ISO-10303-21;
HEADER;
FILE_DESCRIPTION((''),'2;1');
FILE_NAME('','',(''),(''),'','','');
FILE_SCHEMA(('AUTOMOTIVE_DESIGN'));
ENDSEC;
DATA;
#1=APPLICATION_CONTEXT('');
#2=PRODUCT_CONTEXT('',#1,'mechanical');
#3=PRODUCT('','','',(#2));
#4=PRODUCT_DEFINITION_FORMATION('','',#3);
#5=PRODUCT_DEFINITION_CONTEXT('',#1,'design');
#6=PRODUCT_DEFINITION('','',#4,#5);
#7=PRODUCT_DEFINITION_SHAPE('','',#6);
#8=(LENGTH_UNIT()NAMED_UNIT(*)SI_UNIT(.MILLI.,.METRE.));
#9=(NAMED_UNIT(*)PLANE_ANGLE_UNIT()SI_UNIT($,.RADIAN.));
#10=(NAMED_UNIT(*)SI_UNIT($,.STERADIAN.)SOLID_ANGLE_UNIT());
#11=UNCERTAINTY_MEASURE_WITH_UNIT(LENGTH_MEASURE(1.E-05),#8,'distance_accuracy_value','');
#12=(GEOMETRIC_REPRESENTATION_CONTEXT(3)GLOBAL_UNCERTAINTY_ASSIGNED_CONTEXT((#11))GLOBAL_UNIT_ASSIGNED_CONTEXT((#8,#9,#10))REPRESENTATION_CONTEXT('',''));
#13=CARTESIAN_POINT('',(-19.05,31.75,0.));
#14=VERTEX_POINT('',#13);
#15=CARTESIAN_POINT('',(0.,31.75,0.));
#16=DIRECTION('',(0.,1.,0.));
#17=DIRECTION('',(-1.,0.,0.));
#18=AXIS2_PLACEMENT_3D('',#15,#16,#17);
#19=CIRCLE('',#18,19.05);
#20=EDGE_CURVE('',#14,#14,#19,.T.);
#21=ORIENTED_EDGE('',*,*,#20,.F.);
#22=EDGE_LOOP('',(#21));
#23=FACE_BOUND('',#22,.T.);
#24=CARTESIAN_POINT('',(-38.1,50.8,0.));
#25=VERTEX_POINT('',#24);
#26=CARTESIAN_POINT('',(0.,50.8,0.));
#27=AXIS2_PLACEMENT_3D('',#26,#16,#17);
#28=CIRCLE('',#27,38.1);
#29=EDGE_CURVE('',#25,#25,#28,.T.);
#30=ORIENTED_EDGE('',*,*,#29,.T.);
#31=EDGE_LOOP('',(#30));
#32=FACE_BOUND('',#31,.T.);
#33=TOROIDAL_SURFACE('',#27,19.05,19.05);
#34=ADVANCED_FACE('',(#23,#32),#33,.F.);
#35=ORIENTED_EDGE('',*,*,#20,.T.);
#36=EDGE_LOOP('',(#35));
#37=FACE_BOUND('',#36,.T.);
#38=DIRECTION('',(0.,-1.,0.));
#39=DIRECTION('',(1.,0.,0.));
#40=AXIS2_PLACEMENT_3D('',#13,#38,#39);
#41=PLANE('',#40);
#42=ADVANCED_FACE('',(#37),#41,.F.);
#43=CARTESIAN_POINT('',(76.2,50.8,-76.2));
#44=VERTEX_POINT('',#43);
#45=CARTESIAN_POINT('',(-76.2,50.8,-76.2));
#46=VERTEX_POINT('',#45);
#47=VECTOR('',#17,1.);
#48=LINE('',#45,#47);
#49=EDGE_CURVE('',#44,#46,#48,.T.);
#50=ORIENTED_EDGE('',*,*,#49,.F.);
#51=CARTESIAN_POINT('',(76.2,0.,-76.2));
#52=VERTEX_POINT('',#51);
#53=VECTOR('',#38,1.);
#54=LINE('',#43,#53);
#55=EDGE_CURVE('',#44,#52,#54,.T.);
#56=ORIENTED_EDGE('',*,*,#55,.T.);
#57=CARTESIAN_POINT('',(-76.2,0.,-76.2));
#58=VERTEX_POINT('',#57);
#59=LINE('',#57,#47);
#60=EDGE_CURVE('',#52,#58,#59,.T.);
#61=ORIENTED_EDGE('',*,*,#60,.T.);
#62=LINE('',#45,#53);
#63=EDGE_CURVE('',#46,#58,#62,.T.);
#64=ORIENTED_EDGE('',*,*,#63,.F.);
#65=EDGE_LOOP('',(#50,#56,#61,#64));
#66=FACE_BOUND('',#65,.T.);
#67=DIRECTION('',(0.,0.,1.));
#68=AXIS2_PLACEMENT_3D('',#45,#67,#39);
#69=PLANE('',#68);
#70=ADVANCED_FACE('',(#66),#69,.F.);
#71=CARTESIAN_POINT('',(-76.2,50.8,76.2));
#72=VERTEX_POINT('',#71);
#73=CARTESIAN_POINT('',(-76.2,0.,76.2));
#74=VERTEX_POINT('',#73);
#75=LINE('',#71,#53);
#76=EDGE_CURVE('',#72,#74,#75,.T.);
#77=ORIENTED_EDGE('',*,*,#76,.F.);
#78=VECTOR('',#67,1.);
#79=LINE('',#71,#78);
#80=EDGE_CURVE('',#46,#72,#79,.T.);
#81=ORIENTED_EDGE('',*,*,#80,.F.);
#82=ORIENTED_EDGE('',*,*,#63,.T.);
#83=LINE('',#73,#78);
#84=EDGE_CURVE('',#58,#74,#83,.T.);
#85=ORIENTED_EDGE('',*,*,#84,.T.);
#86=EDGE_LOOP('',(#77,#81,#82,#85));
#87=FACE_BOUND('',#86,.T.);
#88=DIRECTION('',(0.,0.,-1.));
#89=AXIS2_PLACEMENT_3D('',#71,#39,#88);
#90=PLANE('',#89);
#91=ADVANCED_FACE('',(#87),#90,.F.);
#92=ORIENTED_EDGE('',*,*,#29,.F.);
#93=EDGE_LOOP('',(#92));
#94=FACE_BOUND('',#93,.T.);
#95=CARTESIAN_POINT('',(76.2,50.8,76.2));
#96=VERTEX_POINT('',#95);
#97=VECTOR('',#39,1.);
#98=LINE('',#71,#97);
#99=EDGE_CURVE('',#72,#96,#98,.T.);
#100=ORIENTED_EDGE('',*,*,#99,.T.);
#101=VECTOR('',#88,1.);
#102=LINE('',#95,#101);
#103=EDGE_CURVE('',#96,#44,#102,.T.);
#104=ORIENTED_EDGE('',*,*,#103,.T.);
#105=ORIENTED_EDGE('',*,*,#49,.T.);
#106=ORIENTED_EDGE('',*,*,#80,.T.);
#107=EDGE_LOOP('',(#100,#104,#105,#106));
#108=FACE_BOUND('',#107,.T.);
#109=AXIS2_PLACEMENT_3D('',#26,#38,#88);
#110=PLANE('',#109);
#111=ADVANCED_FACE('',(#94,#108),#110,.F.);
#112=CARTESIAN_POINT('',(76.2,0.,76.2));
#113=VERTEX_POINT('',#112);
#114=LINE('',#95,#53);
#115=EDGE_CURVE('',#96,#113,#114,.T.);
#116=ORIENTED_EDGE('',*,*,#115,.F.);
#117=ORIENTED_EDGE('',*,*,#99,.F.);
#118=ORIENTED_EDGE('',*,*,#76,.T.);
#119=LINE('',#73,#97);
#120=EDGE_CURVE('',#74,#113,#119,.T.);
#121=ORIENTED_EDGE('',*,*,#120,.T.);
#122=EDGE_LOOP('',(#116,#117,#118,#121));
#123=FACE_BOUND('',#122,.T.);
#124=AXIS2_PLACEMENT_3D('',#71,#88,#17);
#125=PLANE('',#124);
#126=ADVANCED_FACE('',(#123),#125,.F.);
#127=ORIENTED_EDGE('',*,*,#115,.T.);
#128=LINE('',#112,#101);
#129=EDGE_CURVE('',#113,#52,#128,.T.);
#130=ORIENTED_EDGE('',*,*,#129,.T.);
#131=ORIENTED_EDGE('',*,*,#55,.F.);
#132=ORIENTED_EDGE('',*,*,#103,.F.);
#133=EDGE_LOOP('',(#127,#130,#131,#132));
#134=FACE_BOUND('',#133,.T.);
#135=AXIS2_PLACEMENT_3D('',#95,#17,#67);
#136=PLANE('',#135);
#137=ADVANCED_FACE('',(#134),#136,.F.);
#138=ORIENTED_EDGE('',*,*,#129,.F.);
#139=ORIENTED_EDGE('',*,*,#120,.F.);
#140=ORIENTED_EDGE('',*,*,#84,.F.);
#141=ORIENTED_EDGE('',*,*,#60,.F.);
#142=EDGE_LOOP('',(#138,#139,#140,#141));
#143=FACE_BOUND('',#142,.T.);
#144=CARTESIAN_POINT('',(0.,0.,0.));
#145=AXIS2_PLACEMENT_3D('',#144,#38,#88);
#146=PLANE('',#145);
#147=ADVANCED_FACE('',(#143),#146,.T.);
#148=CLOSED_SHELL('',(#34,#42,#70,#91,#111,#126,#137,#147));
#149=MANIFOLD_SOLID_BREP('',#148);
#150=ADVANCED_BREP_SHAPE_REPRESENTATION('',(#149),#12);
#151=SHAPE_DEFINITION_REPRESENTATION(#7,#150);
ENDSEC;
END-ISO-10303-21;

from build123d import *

# Parameters (mm, degrees)
SKETCH2_W           = 152.4
SKETCH2_H           = 152.4
BOSS_EXTRUDE1_DEPTH = 50.8


with BuildPart() as part:
    # Sketch2 → Boss-Extrude1 (new body)
    with BuildSketch(Plane(origin=(0, 0, 0), x_dir=(1, 0, 0), z_dir=(0, 1, 0))):
        Rectangle(SKETCH2_W, SKETCH2_H)
    extrude(amount=BOSS_EXTRUDE1_DEPTH)

    # Sketch3 → Cut-Revolve1 (revolve, cut)
    with BuildSketch(Plane.XY):
        with BuildLine():
            Line((-19.05, 31.75), (0, 31.75))
            Line((0, 31.75), (0, 50.8))
            Line((0, 50.8), (-38.1, 50.8))
            ThreePointArc((-38.1, 50.8), (-32.520384182, 37.329615818), (-19.05, 31.75))
        make_face()
    revolve(axis=Axis((0, 50.8, 0), (0, -1, 0)), mode=Mode.SUBTRACT)


solid = part.part
